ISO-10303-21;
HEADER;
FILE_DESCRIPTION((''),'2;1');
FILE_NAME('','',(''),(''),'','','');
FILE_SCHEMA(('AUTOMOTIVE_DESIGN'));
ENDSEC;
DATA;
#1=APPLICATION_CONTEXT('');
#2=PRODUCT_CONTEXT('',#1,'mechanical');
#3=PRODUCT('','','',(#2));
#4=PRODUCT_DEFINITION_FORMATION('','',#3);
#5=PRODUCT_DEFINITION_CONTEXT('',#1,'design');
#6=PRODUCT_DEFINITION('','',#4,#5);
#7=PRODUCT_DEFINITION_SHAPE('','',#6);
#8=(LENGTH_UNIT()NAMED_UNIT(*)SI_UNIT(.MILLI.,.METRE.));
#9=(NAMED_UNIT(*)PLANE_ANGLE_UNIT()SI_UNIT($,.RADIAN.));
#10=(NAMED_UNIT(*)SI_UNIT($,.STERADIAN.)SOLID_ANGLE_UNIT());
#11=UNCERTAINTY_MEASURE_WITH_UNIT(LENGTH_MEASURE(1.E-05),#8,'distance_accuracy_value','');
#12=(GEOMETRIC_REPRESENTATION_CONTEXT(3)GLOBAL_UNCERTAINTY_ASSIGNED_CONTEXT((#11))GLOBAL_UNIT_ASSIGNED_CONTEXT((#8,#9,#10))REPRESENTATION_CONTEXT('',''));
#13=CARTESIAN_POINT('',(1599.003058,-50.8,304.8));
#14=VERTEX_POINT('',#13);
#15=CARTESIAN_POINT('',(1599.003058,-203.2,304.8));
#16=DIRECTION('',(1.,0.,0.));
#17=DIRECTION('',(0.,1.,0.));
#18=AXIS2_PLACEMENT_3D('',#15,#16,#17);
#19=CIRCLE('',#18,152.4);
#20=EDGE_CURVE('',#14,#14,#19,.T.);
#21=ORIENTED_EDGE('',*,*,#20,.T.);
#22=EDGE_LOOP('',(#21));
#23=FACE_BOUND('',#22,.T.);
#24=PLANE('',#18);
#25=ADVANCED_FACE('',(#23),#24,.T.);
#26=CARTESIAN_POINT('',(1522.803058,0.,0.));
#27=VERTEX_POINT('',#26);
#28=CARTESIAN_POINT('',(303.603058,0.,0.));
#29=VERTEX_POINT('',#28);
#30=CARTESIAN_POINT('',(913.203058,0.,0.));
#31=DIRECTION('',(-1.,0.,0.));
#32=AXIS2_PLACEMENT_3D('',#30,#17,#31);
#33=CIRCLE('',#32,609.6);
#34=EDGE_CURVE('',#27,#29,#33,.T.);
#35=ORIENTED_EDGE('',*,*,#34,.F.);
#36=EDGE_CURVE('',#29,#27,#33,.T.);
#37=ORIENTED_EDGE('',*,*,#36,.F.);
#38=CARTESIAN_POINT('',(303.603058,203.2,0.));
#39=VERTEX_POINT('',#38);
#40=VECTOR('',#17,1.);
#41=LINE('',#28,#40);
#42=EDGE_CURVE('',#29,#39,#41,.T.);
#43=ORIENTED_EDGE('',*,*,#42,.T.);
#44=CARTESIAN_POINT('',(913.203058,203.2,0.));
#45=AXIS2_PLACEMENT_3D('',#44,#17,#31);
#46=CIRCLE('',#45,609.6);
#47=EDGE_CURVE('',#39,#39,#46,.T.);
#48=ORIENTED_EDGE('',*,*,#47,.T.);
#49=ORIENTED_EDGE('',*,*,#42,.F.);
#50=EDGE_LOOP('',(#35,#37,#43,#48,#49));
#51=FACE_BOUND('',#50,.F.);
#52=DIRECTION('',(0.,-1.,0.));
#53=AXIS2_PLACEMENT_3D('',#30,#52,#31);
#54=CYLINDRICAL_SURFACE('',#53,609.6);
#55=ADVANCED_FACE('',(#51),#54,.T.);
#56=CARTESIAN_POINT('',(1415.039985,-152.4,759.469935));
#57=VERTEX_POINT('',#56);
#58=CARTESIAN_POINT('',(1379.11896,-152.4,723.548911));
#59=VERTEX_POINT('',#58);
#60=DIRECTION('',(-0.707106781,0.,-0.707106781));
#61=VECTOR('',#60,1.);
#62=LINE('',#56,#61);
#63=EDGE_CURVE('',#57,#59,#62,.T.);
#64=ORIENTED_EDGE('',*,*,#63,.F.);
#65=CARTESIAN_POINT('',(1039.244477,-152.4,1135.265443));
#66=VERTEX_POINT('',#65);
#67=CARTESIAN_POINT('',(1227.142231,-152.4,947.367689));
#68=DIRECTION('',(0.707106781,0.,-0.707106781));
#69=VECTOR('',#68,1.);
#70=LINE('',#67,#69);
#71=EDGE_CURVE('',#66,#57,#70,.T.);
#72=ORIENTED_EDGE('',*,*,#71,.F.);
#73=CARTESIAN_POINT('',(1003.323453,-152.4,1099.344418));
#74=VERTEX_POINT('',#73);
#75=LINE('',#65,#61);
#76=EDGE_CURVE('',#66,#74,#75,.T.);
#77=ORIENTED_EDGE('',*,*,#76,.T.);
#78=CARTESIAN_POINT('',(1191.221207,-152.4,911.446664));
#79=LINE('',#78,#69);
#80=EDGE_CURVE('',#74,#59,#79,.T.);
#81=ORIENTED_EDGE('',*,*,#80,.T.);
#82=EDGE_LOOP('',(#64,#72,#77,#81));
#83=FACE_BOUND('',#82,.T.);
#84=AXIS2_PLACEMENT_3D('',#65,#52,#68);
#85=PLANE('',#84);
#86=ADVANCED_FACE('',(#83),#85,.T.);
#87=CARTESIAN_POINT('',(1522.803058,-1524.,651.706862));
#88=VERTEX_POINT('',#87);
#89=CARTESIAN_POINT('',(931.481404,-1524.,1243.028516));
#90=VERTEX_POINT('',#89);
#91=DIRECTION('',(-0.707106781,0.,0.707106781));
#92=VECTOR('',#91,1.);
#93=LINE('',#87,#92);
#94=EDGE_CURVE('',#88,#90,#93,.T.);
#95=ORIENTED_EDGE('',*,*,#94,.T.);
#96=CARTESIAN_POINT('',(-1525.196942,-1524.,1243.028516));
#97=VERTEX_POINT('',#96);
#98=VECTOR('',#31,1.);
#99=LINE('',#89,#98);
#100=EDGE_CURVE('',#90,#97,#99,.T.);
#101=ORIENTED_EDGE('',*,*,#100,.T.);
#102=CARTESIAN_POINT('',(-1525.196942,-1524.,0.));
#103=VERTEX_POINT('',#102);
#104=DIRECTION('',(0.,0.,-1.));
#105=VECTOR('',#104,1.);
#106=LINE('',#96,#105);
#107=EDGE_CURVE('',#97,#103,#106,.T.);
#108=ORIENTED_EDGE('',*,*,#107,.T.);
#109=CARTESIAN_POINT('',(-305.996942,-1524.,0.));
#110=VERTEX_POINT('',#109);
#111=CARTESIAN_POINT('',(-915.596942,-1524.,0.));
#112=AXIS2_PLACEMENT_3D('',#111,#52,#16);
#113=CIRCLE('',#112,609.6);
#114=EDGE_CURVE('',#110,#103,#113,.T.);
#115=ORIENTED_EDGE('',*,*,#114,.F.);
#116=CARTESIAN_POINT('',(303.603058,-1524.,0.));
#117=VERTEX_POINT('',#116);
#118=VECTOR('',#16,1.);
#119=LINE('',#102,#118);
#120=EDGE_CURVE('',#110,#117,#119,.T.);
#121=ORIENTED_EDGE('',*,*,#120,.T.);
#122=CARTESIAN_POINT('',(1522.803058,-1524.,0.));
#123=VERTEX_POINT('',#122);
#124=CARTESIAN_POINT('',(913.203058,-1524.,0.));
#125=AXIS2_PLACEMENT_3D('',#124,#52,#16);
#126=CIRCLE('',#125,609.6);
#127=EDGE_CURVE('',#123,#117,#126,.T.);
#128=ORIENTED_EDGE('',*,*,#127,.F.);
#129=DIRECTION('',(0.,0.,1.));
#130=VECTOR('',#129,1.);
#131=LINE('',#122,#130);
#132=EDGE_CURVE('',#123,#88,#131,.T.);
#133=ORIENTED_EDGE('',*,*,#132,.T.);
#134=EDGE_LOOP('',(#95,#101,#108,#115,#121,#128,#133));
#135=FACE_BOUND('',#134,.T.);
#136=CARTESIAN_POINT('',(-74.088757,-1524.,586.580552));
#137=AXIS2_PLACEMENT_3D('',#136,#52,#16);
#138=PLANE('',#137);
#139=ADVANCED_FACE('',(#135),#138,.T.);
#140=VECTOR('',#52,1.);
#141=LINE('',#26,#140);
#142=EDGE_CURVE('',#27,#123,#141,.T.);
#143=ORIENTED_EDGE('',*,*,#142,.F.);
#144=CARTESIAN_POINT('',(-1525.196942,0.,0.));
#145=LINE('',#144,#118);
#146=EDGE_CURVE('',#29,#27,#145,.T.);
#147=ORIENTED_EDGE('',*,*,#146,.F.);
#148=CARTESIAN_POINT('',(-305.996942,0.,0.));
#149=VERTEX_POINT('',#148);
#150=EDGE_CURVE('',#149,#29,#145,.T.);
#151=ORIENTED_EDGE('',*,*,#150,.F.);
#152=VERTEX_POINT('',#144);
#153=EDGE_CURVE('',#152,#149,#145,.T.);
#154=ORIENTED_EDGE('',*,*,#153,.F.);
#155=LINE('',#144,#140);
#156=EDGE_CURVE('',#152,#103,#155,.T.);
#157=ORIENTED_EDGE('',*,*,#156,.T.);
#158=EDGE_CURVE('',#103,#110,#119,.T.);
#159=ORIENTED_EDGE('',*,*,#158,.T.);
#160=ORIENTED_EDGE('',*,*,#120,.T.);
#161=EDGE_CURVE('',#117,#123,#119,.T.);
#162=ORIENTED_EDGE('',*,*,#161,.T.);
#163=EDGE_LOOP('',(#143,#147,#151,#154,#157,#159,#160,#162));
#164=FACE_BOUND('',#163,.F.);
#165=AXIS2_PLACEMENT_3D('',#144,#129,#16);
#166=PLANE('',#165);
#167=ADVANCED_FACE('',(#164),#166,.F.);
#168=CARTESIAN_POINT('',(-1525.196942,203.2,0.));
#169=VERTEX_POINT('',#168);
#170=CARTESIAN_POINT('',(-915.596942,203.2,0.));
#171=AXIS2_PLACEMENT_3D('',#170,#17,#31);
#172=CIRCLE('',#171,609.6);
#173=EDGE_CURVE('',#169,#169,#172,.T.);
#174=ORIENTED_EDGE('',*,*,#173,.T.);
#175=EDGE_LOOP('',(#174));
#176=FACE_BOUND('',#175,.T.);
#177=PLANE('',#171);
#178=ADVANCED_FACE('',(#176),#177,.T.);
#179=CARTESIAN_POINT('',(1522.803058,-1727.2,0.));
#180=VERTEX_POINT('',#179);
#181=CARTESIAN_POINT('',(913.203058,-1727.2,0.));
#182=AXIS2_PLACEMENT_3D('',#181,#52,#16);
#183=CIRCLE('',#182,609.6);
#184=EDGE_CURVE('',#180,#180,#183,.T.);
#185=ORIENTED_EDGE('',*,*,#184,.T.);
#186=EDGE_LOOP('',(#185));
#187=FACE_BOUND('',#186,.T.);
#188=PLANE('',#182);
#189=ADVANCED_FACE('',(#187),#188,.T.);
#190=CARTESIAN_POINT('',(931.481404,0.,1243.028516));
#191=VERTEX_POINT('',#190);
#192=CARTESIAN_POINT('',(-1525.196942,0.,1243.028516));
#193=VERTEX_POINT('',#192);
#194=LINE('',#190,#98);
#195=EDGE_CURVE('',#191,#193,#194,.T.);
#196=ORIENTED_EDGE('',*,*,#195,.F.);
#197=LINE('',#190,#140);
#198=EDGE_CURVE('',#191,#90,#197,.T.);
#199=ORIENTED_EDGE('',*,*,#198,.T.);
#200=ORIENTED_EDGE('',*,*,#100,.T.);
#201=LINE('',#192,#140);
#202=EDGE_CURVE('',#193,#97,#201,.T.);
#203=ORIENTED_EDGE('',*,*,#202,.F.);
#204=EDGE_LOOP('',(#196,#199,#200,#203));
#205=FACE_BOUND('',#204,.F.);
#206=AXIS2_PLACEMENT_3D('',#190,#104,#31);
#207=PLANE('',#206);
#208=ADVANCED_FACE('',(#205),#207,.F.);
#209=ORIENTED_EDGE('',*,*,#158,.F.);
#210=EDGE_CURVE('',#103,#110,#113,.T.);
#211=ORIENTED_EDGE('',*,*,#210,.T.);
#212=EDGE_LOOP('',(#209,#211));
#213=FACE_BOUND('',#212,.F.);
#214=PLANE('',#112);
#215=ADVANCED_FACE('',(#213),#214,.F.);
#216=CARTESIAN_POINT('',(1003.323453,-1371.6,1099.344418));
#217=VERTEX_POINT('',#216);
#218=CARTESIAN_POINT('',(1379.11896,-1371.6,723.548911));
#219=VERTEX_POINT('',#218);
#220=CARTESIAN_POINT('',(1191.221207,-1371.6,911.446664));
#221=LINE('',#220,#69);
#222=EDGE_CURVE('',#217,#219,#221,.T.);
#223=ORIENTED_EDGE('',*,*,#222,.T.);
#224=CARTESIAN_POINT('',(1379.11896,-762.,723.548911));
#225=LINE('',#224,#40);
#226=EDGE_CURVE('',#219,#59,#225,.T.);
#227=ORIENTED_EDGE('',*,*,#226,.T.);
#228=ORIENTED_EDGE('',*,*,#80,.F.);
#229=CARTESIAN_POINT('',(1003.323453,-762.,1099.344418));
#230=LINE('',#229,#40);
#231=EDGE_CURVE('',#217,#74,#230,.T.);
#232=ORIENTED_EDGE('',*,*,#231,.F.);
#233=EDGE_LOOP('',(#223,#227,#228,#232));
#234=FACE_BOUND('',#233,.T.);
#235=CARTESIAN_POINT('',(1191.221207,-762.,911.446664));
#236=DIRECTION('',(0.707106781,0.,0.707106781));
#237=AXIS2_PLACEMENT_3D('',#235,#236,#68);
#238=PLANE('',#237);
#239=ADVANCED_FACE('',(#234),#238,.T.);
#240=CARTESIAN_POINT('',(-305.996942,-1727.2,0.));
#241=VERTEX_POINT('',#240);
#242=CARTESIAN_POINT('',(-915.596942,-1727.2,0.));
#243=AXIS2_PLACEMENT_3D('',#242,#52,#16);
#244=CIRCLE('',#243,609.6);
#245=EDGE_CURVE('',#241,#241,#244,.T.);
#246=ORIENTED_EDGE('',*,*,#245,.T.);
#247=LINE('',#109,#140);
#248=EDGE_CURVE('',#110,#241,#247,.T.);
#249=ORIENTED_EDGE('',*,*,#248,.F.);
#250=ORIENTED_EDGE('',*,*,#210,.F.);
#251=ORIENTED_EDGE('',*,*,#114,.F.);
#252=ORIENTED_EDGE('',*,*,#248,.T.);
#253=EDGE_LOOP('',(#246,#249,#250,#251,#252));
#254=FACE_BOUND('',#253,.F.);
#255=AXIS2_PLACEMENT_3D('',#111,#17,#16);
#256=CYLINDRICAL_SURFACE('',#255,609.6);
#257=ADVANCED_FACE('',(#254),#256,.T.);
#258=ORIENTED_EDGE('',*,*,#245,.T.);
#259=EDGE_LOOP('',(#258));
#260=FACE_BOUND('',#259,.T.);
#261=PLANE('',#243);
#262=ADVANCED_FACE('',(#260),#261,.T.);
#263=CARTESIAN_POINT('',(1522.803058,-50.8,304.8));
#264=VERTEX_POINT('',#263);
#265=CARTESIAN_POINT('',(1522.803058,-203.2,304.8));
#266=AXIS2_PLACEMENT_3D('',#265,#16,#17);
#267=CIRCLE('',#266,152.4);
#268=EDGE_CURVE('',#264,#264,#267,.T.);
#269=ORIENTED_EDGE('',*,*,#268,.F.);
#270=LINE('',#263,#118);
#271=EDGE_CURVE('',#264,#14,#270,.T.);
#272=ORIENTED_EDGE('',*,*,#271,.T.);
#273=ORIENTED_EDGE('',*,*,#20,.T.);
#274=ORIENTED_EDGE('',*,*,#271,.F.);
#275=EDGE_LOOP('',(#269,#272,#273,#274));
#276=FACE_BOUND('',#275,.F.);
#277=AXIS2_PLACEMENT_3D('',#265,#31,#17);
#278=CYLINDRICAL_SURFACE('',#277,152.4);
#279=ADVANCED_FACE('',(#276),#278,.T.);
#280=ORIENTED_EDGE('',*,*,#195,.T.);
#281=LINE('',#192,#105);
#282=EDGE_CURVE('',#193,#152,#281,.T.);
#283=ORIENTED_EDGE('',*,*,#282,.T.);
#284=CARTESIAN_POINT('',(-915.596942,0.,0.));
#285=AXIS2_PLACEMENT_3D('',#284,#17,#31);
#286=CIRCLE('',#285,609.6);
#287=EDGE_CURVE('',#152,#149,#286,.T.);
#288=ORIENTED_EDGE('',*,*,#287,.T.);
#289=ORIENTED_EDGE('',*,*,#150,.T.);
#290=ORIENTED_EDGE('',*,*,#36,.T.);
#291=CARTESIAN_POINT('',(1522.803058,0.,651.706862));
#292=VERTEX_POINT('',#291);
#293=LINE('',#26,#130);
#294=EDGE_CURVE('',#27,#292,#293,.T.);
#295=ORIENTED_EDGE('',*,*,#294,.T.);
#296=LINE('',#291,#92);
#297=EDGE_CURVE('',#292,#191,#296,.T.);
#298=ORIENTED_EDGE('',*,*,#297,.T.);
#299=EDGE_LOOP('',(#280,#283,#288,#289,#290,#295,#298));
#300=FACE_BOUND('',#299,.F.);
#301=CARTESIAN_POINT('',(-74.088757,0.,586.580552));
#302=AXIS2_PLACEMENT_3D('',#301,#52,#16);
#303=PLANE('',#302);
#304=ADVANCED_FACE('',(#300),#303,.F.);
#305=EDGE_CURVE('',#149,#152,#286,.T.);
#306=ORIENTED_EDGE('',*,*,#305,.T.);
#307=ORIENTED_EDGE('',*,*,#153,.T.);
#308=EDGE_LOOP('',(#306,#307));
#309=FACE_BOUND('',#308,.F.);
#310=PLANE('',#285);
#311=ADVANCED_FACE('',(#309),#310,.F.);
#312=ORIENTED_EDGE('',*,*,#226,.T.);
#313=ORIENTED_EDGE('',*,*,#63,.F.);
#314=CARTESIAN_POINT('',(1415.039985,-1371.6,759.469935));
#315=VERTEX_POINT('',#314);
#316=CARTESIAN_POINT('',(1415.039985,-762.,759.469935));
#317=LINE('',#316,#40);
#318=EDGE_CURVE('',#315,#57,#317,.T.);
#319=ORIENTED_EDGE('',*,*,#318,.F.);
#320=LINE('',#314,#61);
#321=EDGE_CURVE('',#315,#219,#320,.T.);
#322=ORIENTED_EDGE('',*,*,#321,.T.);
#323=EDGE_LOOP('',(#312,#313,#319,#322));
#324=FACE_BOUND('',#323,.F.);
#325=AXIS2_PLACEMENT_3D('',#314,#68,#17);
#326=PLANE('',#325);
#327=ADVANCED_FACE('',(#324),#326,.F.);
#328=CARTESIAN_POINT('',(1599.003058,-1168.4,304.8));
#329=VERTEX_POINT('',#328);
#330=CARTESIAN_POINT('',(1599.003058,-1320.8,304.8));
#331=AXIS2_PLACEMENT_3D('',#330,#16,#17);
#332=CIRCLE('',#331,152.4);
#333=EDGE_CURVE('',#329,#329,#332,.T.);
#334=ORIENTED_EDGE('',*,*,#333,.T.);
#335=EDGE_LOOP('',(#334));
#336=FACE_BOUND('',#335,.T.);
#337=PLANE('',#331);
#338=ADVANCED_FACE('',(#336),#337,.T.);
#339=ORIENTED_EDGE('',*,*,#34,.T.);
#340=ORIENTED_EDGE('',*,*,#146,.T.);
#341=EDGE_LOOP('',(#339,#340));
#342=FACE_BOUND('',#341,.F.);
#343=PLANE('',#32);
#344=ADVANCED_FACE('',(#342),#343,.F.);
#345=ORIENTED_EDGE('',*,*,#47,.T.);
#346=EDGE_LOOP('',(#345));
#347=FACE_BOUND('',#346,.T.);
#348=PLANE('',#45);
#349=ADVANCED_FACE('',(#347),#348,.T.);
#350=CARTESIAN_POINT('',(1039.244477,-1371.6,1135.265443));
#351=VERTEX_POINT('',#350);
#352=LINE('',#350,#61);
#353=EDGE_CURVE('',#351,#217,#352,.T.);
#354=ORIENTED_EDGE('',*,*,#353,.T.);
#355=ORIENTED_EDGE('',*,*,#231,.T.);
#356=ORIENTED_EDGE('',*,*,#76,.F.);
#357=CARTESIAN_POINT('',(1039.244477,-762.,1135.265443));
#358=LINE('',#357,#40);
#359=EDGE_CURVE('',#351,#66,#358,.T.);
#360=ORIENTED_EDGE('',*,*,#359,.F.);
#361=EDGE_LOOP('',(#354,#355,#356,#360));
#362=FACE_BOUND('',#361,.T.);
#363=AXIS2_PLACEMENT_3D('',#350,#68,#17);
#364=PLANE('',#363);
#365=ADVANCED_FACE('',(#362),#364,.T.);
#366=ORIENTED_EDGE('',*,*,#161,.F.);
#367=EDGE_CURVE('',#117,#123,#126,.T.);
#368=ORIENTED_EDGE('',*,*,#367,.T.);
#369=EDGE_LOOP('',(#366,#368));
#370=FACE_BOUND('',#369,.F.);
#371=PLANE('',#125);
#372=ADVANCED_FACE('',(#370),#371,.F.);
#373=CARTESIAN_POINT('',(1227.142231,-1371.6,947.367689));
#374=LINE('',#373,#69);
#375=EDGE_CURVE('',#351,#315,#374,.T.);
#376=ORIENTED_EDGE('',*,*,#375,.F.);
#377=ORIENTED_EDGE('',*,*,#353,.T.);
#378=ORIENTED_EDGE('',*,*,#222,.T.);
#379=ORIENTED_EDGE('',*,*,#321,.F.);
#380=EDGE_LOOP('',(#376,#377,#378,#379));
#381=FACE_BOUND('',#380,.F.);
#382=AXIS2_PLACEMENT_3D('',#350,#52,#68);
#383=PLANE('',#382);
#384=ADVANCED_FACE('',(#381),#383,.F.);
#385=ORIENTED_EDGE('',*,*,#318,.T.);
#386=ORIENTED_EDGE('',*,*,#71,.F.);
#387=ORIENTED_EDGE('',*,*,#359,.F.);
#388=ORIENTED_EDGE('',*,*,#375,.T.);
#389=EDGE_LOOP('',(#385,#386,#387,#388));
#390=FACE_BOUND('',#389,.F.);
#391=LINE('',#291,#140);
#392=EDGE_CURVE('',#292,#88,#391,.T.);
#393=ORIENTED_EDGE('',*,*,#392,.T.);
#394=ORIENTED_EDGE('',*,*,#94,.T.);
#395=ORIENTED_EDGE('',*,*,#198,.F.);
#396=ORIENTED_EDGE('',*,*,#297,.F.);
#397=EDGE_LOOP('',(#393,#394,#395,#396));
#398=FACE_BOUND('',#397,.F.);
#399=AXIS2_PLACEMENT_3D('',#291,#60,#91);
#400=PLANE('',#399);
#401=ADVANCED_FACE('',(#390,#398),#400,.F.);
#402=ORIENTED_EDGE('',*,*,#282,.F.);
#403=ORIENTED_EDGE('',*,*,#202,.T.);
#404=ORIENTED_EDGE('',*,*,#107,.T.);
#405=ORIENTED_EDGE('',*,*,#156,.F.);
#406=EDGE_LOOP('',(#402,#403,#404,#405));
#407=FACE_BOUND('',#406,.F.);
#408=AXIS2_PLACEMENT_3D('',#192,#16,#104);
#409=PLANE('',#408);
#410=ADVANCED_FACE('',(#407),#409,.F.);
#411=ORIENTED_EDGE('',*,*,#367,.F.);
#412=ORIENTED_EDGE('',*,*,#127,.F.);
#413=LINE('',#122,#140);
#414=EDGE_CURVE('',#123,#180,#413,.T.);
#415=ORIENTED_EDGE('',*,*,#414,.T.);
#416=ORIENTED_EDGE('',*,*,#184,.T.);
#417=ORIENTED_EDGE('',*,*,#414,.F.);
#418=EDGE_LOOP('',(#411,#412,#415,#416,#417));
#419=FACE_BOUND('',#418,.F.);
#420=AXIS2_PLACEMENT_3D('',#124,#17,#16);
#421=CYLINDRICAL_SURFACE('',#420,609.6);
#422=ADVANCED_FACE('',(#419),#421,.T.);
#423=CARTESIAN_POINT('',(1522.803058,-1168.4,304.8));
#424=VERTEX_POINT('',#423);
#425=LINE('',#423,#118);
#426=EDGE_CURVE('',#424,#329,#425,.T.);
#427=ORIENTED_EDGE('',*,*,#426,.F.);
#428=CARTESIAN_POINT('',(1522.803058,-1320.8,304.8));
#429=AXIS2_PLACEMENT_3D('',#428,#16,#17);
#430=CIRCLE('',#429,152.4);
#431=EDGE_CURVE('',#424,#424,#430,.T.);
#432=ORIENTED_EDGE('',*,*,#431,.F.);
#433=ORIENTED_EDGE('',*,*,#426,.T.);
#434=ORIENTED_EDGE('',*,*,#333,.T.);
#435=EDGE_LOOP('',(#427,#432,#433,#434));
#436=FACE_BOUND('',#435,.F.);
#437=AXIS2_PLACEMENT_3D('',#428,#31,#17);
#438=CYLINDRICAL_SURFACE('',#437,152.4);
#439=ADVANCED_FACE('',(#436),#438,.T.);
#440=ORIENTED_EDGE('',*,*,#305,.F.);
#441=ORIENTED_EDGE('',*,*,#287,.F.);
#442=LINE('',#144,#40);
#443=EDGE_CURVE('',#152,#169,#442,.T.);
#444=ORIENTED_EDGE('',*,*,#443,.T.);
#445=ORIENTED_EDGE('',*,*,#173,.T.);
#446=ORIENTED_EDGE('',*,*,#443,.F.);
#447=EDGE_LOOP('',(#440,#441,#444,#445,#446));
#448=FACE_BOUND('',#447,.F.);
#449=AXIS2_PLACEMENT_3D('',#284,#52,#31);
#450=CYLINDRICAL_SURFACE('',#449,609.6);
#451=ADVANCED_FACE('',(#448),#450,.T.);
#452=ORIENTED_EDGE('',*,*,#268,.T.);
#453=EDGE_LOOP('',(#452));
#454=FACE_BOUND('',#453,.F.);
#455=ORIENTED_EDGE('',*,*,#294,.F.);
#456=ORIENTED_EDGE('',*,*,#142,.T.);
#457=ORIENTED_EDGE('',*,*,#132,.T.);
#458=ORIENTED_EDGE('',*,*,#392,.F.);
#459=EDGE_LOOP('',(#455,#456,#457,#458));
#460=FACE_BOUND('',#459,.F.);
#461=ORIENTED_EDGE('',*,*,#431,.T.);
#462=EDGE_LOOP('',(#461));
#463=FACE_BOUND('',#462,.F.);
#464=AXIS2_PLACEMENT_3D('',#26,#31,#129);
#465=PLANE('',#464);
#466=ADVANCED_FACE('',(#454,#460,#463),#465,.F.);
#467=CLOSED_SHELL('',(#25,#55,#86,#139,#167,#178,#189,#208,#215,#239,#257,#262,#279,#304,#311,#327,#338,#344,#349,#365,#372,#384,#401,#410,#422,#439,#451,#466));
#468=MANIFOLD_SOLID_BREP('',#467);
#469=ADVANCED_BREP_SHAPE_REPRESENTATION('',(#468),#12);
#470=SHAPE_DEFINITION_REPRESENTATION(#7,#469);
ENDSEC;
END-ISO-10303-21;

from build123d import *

# Parameters (mm, degrees)
F1_DEPTH = 1524
F2_R     = 152.4
F3_DEPTH = 76.2
F4_W     = 531.455103
F4_H     = 1219.2
F5_DEPTH = 50.8
F6_R     = 609.6
F7_DEPTH = 203.2
F8_R     = 609.6
F9_DEPTH = 203.2


with BuildPart() as f1:
    # F0 (on Front) → F1 (new body)
    with BuildSketch(Plane.XZ):
        Polygon((-1525.196942, 0), (0, 0), (1522.803058, 0), (1522.803058, 651.706862), (931.481404, 1243.028516), (-1525.196942, 1243.028516), align=None)
    extrude(amount=F1_DEPTH)

    # F2 (on face) → F3 (join)
    with BuildSketch(Plane.YZ.offset(1522.803058)):
        with Locations((-203.2, 304.8)):
            Circle(F2_R)
        with Locations((-1320.8, 304.8)):
            Circle(F2_R)
    extrude(amount=F3_DEPTH)

    # F4 (on face) → F5 (cut)
    with BuildSketch(Plane(origin=(1087.25496, 0, 1087.25496), x_dir=(0.707107, 0, -0.707107), z_dir=(0.707107, 0, 0.707107))):
        with Locations((197.830476, -762)):
            Rectangle(F4_W, F4_H)
    extrude(amount=-F5_DEPTH, mode=Mode.SUBTRACT)

    # F6 (on face) → F7 (join)
    with BuildSketch(Plane(origin=(0, 0, 0), x_dir=(-1, 0, 0), z_dir=(0, 1, 0))):
        with Locations((-913.203058, 0)):
            Circle(F6_R)
        with Locations((915.596942, 0)):
            Circle(F6_R)
    extrude(amount=F7_DEPTH)

    # F8 (on face) → F9 (join)
    with BuildSketch(Plane.XZ.offset(1524)):
        with Locations((-915.596942, 0)):
            Circle(F8_R)
        with Locations((913.203058, 0)):
            Circle(F8_R)
    extrude(amount=F9_DEPTH)


solid = f1.part
